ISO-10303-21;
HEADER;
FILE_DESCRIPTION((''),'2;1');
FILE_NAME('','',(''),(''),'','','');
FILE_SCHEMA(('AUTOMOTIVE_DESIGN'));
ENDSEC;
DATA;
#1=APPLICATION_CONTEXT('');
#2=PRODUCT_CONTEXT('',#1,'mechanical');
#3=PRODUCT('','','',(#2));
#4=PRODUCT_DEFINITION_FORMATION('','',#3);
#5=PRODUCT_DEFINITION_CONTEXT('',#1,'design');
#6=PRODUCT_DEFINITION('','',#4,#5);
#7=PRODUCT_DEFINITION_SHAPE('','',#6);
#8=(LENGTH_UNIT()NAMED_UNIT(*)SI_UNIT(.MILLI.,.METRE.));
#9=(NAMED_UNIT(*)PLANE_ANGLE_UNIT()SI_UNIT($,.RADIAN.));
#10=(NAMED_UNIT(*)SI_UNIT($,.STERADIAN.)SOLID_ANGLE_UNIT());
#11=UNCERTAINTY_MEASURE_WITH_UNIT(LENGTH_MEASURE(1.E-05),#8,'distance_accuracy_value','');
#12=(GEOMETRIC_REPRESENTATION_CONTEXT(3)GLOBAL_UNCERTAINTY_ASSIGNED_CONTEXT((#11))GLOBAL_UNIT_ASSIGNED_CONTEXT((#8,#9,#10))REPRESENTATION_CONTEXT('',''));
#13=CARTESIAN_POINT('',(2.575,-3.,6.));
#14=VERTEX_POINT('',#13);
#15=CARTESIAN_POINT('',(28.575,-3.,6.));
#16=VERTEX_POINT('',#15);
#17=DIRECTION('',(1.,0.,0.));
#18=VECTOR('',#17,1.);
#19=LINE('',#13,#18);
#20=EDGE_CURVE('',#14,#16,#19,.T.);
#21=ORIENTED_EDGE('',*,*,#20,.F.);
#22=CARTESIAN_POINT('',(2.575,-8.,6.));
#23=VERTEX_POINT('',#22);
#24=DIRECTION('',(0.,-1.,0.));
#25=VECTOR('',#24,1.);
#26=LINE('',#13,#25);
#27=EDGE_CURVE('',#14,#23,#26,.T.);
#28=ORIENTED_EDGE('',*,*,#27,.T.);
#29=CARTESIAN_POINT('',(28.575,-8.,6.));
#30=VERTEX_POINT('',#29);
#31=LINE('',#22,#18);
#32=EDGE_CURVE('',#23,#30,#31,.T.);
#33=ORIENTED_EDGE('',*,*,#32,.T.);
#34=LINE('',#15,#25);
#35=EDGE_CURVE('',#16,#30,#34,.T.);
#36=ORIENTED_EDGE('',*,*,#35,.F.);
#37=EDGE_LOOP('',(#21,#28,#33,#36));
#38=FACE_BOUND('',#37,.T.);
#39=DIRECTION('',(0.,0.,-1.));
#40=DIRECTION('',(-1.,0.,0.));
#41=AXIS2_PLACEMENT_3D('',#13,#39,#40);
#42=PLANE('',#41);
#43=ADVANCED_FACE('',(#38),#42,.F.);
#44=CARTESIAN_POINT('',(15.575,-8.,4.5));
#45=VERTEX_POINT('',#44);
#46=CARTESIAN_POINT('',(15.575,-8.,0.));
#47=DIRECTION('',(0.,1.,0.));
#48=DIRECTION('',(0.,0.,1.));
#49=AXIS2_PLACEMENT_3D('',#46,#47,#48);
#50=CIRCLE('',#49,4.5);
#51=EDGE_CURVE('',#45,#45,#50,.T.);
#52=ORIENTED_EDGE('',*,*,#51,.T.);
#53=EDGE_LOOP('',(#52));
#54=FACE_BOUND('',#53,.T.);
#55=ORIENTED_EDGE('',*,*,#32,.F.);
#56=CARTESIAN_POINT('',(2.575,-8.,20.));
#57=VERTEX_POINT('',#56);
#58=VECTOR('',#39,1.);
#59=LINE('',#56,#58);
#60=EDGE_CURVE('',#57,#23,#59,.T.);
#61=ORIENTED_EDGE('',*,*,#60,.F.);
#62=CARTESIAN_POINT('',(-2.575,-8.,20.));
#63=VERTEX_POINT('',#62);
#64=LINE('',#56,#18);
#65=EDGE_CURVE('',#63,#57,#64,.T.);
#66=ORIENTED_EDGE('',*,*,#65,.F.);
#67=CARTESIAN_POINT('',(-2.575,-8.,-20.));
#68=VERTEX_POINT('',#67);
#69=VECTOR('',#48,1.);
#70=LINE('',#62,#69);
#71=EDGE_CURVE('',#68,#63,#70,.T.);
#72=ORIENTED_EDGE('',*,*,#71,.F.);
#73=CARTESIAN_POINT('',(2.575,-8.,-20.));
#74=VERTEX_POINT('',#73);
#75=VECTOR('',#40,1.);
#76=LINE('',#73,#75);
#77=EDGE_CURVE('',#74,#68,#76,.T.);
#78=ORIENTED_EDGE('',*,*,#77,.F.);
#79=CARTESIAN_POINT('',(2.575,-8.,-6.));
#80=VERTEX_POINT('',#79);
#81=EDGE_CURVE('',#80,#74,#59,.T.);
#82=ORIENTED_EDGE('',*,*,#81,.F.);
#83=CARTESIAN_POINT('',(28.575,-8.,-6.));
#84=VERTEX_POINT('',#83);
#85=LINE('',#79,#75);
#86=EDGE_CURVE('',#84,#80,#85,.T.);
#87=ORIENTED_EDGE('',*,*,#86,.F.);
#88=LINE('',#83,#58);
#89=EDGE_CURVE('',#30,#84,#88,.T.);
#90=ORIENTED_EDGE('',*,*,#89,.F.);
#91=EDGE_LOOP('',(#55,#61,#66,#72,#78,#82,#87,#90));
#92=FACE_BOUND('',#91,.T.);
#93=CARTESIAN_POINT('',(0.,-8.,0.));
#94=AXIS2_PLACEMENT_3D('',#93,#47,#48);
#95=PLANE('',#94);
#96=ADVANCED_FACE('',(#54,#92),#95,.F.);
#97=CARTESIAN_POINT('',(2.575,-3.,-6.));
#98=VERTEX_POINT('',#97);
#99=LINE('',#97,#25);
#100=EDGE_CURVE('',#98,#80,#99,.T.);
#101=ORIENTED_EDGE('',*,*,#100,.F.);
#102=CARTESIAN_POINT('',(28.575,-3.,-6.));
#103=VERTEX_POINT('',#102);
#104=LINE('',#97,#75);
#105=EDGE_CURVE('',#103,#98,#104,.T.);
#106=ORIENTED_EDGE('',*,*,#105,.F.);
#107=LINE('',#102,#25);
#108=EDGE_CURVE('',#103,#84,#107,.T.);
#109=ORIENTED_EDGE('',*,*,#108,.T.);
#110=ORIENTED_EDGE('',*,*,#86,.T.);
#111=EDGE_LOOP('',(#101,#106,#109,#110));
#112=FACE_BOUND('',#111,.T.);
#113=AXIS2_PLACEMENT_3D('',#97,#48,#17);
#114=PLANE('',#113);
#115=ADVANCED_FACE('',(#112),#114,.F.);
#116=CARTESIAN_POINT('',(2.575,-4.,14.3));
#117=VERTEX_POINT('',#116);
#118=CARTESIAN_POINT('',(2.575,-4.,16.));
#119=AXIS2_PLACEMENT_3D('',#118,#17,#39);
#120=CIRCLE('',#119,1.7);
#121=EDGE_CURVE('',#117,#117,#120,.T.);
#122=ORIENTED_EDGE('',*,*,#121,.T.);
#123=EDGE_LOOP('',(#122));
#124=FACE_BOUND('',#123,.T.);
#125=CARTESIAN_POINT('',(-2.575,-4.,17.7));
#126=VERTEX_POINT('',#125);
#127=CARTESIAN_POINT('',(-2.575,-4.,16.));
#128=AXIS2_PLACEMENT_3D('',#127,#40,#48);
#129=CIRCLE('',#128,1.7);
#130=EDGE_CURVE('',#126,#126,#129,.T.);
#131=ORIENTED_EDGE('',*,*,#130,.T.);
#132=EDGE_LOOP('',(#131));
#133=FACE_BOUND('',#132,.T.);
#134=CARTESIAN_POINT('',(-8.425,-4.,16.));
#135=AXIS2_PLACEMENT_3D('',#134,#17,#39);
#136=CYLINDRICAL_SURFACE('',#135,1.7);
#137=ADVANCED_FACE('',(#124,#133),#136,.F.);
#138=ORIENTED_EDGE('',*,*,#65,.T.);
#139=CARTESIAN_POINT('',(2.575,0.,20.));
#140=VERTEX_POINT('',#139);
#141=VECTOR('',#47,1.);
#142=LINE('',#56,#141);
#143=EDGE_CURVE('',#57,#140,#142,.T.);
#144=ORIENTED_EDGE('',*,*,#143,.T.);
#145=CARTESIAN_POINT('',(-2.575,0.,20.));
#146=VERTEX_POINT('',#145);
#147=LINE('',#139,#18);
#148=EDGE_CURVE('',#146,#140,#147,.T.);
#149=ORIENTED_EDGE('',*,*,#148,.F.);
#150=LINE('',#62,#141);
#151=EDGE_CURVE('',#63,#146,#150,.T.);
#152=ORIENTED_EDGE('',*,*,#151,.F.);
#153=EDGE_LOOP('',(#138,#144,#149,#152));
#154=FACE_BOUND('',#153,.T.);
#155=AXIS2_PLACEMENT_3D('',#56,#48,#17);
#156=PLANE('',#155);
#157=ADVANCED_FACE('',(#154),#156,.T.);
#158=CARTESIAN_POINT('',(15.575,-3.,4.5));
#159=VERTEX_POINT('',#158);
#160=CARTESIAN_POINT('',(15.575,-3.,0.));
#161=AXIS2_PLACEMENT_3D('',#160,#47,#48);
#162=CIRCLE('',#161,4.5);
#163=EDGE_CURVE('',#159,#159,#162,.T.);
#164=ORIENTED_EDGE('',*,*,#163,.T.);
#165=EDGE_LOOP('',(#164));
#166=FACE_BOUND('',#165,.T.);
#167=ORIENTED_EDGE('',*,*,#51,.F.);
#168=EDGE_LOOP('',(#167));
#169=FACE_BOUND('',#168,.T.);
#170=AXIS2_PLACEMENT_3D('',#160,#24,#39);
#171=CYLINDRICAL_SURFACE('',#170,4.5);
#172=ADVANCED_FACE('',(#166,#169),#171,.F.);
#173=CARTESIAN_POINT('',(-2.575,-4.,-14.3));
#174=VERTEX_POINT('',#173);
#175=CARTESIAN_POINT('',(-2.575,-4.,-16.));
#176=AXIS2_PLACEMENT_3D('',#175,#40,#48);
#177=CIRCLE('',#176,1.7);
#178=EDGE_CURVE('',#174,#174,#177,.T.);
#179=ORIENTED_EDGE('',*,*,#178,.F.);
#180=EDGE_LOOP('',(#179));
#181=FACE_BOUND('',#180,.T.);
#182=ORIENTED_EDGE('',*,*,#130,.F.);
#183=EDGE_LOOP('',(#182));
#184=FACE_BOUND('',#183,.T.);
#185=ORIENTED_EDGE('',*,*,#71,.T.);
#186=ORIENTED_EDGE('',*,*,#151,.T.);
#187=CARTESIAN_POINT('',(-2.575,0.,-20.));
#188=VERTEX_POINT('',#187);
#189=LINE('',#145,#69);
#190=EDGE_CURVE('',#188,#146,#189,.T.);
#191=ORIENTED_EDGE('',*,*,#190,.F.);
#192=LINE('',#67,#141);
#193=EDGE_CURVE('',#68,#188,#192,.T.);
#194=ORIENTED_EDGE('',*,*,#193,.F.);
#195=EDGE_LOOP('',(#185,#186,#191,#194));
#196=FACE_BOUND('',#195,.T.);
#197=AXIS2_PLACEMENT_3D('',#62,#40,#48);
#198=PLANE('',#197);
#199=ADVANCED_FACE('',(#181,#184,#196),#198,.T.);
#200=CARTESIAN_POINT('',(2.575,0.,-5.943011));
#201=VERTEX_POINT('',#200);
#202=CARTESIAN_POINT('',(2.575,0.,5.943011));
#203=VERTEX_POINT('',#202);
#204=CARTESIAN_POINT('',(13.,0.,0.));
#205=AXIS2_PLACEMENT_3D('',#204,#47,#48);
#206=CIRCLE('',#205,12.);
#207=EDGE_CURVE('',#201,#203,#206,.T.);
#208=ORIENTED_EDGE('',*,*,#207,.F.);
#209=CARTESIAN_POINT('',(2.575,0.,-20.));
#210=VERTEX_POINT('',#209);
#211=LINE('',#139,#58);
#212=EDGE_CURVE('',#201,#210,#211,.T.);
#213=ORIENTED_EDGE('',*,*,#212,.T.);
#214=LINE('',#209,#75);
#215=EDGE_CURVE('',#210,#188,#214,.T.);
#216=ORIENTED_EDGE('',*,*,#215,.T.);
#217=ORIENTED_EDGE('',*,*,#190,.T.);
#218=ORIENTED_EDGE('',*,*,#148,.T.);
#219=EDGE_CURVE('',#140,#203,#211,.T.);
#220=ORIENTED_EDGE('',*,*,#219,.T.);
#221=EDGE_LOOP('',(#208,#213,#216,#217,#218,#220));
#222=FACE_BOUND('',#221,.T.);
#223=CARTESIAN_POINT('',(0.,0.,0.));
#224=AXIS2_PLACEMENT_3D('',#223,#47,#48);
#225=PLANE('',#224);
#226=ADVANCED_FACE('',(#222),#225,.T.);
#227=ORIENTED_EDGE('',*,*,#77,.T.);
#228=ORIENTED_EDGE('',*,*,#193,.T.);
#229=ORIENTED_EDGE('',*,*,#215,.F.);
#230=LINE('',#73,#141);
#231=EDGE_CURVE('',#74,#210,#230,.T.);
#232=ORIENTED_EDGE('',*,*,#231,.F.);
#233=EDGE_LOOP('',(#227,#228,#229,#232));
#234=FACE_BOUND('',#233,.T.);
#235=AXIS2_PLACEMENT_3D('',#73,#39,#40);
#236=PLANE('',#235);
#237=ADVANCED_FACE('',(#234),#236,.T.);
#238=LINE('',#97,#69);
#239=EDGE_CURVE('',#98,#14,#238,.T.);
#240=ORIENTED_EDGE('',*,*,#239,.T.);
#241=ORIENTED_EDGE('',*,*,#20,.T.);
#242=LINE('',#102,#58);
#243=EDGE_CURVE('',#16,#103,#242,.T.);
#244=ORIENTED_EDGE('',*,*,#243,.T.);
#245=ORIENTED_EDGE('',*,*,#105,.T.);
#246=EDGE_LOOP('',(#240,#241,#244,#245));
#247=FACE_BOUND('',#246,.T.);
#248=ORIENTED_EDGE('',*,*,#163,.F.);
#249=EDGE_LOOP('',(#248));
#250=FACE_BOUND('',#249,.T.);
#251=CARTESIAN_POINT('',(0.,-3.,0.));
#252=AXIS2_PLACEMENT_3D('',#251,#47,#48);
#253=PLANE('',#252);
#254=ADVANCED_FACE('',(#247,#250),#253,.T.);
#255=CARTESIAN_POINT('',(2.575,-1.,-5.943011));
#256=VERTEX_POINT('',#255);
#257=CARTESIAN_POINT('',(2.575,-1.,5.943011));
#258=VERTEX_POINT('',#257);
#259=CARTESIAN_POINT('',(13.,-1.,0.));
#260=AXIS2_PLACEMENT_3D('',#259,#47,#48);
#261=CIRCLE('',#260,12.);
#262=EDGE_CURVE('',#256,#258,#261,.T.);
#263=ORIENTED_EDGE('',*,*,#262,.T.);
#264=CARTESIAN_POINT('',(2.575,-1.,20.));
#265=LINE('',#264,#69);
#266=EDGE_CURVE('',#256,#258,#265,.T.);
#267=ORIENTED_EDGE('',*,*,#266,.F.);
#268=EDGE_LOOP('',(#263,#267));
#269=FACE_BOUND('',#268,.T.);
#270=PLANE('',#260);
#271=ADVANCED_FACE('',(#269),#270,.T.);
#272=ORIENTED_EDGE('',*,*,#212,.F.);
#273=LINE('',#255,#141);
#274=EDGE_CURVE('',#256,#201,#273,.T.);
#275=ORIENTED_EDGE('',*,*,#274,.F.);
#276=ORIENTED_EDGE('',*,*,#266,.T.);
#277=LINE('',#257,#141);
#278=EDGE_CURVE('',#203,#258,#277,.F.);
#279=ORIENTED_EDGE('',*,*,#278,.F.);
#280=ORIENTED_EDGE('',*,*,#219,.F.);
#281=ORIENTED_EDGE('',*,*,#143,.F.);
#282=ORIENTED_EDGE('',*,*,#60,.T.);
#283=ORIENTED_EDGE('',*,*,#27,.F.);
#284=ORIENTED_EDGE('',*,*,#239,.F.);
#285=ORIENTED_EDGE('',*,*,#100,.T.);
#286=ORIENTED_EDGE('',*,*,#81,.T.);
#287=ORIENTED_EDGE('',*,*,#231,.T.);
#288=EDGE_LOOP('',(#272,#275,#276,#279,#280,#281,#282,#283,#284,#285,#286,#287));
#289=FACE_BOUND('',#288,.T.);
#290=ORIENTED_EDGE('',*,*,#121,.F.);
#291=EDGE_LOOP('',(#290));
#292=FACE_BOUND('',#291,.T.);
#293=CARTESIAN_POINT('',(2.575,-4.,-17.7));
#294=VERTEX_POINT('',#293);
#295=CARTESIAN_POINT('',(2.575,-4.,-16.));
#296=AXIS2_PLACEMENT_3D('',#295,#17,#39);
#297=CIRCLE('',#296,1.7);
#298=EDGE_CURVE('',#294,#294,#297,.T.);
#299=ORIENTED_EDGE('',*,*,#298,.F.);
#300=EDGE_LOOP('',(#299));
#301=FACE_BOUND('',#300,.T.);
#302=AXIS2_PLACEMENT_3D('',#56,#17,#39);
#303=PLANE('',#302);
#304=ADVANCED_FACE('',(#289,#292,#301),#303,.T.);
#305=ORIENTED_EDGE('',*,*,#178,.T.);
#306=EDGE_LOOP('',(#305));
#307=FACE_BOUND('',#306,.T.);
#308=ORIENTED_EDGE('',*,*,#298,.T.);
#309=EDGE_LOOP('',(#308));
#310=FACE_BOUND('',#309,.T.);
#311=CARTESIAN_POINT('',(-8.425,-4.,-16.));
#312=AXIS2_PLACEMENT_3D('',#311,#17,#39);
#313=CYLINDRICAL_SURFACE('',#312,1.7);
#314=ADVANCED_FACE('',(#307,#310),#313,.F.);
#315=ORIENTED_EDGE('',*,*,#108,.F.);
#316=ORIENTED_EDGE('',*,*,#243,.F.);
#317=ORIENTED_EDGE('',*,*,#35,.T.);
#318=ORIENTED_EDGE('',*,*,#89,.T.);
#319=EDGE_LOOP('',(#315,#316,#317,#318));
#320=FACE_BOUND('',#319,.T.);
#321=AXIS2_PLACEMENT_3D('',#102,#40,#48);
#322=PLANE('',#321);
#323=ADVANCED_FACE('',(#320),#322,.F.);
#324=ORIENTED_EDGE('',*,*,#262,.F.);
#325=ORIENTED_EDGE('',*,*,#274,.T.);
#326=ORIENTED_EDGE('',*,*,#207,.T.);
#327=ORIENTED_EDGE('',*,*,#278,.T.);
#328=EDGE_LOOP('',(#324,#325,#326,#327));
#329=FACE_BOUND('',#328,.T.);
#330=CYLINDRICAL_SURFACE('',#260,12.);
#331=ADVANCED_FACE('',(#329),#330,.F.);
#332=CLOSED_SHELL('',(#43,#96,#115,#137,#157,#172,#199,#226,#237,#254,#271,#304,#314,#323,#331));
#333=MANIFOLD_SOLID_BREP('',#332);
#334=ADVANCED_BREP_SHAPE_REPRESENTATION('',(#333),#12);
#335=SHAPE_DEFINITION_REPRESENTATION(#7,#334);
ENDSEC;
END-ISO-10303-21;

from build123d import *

# Parameters (mm, degrees)
CROQUIS1_W              = 5.15
CROQUIS1_H              = 40
SALIENTE_EXTRUIR1_DEPTH = 8
CROQUIS2_R              = 1.7
CORTAR_EXTRUIR1_DEPTH   = 11
CROQUIS3_W              = 26
CROQUIS3_H              = 12
CROQUIS3_R              = 4.5
SALIENTE_EXTRUIR2_DEPTH = 5
CROQUIS4_R              = 12
CORTAR_EXTRUIR2_DEPTH   = 1


with BuildPart() as part:
    # Croquis1 → Saliente-Extruir1 (new body)
    with BuildSketch(Plane(origin=(0, 0, 0), x_dir=(1, 0, 0), z_dir=(0, 1, 0))):
        Rectangle(CROQUIS1_W, CROQUIS1_H)
    extrude(amount=-SALIENTE_EXTRUIR1_DEPTH)

    # Croquis2 → Cortar-Extruir1 (cut)
    with BuildSketch(Plane(origin=(2.575, 0, 0), x_dir=(0, 0, -1), z_dir=(1, 0, 0))):
        with Locations((-16, -4)):
            Circle(CROQUIS2_R)
        with Locations((16, -4)):
            Circle(CROQUIS2_R)
    extrude(amount=-CORTAR_EXTRUIR1_DEPTH, mode=Mode.SUBTRACT)

    # Croquis3 → Saliente-Extruir2 (add)
    with BuildSketch(Plane(origin=(0, -8, 0), x_dir=(1, 0, 0), z_dir=(0, 1, 0))):
        with Locations((15.575, 0)):
            Rectangle(CROQUIS3_W, CROQUIS3_H)
        with Locations((15.575, 0)):
            Circle(CROQUIS3_R, mode=Mode.SUBTRACT)
    extrude(amount=SALIENTE_EXTRUIR2_DEPTH)

    # Croquis4 → Cortar-Extruir2 (cut)
    with BuildSketch(Plane(origin=(0, 0, 0), x_dir=(1, 0, 0), z_dir=(0, 1, 0))):
        with Locations((13, 0)):
            Circle(CROQUIS4_R)
    extrude(amount=-CORTAR_EXTRUIR2_DEPTH, mode=Mode.SUBTRACT)


solid = part.part
